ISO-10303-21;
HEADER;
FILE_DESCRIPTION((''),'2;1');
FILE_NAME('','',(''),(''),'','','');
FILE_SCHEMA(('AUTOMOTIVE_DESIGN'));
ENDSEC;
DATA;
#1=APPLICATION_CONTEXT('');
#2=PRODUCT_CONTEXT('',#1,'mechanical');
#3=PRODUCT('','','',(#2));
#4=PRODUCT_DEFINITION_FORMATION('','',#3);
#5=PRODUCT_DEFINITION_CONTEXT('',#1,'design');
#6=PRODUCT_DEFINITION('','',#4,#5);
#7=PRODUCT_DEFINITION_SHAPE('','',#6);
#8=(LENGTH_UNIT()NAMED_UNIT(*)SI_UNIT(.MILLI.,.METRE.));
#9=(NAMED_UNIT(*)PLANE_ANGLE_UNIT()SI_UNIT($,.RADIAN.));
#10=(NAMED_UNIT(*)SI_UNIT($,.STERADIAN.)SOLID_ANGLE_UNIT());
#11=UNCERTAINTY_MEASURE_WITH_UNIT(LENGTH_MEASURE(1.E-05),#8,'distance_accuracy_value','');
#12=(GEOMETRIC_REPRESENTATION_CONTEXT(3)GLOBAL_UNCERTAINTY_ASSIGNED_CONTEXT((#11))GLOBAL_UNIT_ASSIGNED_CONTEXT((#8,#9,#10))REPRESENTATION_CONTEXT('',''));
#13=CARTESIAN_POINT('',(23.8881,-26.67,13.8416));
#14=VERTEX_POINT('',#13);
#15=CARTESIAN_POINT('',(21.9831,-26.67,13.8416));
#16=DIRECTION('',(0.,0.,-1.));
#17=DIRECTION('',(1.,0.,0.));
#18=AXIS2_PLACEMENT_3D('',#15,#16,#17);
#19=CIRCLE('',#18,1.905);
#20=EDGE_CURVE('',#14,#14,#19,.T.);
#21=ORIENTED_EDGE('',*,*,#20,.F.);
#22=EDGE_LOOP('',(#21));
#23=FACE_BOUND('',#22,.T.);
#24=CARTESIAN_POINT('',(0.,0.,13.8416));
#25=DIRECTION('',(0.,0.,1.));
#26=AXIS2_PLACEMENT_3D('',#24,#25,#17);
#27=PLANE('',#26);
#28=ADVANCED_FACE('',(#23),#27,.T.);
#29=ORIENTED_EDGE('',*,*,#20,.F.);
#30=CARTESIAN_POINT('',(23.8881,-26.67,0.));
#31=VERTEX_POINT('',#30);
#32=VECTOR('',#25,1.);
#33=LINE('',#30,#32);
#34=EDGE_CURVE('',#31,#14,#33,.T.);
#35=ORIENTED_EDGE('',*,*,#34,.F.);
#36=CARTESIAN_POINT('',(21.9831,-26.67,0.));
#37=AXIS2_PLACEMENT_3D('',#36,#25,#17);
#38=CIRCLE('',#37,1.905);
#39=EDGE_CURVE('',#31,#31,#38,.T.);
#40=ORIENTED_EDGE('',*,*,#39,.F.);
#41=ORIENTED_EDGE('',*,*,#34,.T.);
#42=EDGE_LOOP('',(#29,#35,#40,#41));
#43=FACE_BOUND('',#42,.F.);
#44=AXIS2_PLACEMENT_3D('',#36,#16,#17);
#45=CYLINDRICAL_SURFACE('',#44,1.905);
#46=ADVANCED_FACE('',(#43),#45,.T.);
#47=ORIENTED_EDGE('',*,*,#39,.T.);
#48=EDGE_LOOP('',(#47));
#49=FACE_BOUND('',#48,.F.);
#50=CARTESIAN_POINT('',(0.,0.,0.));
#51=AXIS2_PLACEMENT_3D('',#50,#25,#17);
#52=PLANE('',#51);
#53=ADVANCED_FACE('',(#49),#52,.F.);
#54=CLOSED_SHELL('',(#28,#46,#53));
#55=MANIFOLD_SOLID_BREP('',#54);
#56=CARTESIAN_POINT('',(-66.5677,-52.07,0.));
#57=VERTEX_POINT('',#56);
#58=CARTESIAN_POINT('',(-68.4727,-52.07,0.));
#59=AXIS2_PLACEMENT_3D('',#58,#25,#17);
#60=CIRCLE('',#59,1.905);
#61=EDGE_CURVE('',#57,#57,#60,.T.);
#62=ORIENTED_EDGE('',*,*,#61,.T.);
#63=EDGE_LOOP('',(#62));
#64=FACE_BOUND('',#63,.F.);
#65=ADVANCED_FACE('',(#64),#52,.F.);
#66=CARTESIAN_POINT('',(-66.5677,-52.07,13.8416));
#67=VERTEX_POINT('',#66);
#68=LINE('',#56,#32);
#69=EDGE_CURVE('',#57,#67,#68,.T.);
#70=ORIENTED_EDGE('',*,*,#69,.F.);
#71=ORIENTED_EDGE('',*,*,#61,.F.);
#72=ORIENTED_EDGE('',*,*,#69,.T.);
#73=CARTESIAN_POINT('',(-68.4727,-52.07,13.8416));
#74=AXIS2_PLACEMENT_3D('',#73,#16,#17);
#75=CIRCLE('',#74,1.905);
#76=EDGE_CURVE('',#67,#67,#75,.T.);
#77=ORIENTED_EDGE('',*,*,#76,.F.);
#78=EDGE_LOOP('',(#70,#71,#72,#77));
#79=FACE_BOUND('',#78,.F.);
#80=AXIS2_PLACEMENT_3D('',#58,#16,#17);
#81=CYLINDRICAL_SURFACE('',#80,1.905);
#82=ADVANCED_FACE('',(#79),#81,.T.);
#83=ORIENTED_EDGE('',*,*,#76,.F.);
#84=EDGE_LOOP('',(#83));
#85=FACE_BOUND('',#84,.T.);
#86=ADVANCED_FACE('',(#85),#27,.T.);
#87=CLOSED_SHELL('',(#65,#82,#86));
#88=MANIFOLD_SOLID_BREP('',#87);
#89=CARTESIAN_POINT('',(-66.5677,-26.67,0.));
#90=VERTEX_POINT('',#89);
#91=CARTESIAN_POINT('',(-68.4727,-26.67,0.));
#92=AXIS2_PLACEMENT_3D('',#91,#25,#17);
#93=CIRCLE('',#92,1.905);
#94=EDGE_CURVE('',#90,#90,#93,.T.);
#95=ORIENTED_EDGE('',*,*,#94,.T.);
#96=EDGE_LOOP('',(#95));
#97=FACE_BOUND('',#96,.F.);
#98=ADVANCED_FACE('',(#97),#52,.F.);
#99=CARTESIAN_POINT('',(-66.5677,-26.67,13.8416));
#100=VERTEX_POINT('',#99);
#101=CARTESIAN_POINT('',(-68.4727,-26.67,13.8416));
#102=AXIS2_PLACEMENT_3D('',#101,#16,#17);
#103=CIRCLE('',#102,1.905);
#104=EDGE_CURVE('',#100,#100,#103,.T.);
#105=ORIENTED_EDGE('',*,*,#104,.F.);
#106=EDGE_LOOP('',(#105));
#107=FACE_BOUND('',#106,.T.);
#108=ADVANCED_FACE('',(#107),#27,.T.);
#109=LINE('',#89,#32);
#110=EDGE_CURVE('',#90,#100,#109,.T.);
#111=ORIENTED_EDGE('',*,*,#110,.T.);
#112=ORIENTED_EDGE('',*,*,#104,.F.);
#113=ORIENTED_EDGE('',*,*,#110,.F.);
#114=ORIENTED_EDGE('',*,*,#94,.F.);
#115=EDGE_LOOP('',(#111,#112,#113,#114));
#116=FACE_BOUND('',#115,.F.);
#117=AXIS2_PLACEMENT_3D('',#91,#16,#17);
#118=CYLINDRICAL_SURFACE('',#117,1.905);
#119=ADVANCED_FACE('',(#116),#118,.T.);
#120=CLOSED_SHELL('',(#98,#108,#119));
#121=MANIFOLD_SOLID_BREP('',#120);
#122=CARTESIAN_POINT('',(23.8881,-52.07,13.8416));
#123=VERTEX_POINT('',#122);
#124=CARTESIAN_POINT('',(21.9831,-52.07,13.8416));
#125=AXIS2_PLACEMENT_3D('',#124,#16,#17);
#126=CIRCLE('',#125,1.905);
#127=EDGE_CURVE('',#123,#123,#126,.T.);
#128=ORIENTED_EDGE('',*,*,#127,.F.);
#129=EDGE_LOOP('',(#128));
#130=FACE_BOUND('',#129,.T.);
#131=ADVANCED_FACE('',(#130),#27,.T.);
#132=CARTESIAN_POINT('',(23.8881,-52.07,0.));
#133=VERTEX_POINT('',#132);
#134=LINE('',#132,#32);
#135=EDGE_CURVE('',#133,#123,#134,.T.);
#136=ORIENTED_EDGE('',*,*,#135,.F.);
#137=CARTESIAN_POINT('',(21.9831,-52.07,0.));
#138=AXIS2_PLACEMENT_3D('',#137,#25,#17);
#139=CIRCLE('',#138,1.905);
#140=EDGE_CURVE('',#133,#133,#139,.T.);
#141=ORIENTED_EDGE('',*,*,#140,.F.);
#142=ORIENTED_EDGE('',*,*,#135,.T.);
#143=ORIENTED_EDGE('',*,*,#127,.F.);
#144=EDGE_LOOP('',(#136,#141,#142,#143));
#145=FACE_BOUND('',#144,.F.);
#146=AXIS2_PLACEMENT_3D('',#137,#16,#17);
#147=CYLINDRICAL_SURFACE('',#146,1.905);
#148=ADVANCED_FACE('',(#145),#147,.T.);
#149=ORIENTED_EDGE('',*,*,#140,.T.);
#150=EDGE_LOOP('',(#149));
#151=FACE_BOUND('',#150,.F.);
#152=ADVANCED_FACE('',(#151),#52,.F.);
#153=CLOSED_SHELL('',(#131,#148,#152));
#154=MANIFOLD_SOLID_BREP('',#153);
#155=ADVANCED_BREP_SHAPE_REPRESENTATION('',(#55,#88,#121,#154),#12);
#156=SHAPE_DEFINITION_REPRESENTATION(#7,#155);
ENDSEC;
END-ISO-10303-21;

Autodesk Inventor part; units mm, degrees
ref_plane "YZ Plane" through (0, 0, 0) normal (1, 0, 0) x (0, 1, 0)
ref_plane "XZ Plane" through (0, 0, 0) normal (0, 1, 0) x (-1, 0, 0)
sketch "Sketch2" plane through (0, 0, 0) normal (0, 0, 1) x (1, 0, 0)
  arc A0 (-66.5677, -26.035) -> (-67.8377, -24.765) centre (-67.8377, -26.035) ccw projected
  line L0 (-66.5677, -26.035) -> (-66.5677, -27.305) projected
  arc A1 (-67.8377, -28.575) -> (-66.5677, -27.305) centre (-67.8377, -27.305) ccw projected
  arc A2 (-66.5677, -51.435) -> (-67.8377, -50.165) centre (-67.8377, -51.435) ccw projected
  line L1 (-66.5677, -51.435) -> (-66.5677, -52.705) projected
  arc A3 (-67.8377, -53.975) -> (-66.5677, -52.705) centre (-67.8377, -52.705) ccw projected
  arc A4 (21.3481, -24.765) -> (20.0781, -26.035) centre (21.3481, -26.035) ccw projected
  line L2 (20.0781, -27.305) -> (20.0781, -26.035) projected
  arc A5 (20.0781, -27.305) -> (21.3481, -28.575) centre (21.3481, -27.305) ccw projected
  arc A6 (21.3481, -50.165) -> (20.0781, -51.435) centre (21.3481, -51.435) ccw projected
  line L3 (20.0781, -52.705) -> (20.0781, -51.435) projected
  arc A7 (20.0781, -52.705) -> (21.3481, -53.975) centre (21.3481, -52.705) ccw projected
  line L4 (21.3481, -24.765) -> (44.2081, -24.765) projected
  line L5 (44.2081, -28.575) -> (21.3481, -28.575) projected
  circle A8 centre (21.9831, -26.67) radius 1.905
  line L6 (-90.6977, -24.765) -> (-67.8377, -24.765)
  line L7 (-67.8377, -28.575) -> (-90.6977, -28.575)
  line L8 (-90.6977, -50.165) -> (-67.8377, -50.165)
  line L9 (-67.8377, -53.975) -> (-90.6977, -53.975)
  line L10 (21.3481, -50.165) -> (44.2081, -50.165)
  line L11 (44.2081, -53.975) -> (21.3481, -53.975)
  circle A9 centre (21.9831, -52.07) radius 1.905
  circle A10 centre (-68.4727, -52.07) radius 1.905
  circle A11 centre (-68.4727, -26.67) radius 1.905
  point P0 (0, 0)
ref_plane "Work Plane1" through (-61.5205, -96.6844, 13.8416) normal (0, 0, -1) x (0, 1, 0)
extrude "Extrusion1" add sketch "Sketch2" along normal up to surface (13.8416 mm away) contours A11 | A10 | A8 | A9
properties part number "OdroidPlateSpacer"
